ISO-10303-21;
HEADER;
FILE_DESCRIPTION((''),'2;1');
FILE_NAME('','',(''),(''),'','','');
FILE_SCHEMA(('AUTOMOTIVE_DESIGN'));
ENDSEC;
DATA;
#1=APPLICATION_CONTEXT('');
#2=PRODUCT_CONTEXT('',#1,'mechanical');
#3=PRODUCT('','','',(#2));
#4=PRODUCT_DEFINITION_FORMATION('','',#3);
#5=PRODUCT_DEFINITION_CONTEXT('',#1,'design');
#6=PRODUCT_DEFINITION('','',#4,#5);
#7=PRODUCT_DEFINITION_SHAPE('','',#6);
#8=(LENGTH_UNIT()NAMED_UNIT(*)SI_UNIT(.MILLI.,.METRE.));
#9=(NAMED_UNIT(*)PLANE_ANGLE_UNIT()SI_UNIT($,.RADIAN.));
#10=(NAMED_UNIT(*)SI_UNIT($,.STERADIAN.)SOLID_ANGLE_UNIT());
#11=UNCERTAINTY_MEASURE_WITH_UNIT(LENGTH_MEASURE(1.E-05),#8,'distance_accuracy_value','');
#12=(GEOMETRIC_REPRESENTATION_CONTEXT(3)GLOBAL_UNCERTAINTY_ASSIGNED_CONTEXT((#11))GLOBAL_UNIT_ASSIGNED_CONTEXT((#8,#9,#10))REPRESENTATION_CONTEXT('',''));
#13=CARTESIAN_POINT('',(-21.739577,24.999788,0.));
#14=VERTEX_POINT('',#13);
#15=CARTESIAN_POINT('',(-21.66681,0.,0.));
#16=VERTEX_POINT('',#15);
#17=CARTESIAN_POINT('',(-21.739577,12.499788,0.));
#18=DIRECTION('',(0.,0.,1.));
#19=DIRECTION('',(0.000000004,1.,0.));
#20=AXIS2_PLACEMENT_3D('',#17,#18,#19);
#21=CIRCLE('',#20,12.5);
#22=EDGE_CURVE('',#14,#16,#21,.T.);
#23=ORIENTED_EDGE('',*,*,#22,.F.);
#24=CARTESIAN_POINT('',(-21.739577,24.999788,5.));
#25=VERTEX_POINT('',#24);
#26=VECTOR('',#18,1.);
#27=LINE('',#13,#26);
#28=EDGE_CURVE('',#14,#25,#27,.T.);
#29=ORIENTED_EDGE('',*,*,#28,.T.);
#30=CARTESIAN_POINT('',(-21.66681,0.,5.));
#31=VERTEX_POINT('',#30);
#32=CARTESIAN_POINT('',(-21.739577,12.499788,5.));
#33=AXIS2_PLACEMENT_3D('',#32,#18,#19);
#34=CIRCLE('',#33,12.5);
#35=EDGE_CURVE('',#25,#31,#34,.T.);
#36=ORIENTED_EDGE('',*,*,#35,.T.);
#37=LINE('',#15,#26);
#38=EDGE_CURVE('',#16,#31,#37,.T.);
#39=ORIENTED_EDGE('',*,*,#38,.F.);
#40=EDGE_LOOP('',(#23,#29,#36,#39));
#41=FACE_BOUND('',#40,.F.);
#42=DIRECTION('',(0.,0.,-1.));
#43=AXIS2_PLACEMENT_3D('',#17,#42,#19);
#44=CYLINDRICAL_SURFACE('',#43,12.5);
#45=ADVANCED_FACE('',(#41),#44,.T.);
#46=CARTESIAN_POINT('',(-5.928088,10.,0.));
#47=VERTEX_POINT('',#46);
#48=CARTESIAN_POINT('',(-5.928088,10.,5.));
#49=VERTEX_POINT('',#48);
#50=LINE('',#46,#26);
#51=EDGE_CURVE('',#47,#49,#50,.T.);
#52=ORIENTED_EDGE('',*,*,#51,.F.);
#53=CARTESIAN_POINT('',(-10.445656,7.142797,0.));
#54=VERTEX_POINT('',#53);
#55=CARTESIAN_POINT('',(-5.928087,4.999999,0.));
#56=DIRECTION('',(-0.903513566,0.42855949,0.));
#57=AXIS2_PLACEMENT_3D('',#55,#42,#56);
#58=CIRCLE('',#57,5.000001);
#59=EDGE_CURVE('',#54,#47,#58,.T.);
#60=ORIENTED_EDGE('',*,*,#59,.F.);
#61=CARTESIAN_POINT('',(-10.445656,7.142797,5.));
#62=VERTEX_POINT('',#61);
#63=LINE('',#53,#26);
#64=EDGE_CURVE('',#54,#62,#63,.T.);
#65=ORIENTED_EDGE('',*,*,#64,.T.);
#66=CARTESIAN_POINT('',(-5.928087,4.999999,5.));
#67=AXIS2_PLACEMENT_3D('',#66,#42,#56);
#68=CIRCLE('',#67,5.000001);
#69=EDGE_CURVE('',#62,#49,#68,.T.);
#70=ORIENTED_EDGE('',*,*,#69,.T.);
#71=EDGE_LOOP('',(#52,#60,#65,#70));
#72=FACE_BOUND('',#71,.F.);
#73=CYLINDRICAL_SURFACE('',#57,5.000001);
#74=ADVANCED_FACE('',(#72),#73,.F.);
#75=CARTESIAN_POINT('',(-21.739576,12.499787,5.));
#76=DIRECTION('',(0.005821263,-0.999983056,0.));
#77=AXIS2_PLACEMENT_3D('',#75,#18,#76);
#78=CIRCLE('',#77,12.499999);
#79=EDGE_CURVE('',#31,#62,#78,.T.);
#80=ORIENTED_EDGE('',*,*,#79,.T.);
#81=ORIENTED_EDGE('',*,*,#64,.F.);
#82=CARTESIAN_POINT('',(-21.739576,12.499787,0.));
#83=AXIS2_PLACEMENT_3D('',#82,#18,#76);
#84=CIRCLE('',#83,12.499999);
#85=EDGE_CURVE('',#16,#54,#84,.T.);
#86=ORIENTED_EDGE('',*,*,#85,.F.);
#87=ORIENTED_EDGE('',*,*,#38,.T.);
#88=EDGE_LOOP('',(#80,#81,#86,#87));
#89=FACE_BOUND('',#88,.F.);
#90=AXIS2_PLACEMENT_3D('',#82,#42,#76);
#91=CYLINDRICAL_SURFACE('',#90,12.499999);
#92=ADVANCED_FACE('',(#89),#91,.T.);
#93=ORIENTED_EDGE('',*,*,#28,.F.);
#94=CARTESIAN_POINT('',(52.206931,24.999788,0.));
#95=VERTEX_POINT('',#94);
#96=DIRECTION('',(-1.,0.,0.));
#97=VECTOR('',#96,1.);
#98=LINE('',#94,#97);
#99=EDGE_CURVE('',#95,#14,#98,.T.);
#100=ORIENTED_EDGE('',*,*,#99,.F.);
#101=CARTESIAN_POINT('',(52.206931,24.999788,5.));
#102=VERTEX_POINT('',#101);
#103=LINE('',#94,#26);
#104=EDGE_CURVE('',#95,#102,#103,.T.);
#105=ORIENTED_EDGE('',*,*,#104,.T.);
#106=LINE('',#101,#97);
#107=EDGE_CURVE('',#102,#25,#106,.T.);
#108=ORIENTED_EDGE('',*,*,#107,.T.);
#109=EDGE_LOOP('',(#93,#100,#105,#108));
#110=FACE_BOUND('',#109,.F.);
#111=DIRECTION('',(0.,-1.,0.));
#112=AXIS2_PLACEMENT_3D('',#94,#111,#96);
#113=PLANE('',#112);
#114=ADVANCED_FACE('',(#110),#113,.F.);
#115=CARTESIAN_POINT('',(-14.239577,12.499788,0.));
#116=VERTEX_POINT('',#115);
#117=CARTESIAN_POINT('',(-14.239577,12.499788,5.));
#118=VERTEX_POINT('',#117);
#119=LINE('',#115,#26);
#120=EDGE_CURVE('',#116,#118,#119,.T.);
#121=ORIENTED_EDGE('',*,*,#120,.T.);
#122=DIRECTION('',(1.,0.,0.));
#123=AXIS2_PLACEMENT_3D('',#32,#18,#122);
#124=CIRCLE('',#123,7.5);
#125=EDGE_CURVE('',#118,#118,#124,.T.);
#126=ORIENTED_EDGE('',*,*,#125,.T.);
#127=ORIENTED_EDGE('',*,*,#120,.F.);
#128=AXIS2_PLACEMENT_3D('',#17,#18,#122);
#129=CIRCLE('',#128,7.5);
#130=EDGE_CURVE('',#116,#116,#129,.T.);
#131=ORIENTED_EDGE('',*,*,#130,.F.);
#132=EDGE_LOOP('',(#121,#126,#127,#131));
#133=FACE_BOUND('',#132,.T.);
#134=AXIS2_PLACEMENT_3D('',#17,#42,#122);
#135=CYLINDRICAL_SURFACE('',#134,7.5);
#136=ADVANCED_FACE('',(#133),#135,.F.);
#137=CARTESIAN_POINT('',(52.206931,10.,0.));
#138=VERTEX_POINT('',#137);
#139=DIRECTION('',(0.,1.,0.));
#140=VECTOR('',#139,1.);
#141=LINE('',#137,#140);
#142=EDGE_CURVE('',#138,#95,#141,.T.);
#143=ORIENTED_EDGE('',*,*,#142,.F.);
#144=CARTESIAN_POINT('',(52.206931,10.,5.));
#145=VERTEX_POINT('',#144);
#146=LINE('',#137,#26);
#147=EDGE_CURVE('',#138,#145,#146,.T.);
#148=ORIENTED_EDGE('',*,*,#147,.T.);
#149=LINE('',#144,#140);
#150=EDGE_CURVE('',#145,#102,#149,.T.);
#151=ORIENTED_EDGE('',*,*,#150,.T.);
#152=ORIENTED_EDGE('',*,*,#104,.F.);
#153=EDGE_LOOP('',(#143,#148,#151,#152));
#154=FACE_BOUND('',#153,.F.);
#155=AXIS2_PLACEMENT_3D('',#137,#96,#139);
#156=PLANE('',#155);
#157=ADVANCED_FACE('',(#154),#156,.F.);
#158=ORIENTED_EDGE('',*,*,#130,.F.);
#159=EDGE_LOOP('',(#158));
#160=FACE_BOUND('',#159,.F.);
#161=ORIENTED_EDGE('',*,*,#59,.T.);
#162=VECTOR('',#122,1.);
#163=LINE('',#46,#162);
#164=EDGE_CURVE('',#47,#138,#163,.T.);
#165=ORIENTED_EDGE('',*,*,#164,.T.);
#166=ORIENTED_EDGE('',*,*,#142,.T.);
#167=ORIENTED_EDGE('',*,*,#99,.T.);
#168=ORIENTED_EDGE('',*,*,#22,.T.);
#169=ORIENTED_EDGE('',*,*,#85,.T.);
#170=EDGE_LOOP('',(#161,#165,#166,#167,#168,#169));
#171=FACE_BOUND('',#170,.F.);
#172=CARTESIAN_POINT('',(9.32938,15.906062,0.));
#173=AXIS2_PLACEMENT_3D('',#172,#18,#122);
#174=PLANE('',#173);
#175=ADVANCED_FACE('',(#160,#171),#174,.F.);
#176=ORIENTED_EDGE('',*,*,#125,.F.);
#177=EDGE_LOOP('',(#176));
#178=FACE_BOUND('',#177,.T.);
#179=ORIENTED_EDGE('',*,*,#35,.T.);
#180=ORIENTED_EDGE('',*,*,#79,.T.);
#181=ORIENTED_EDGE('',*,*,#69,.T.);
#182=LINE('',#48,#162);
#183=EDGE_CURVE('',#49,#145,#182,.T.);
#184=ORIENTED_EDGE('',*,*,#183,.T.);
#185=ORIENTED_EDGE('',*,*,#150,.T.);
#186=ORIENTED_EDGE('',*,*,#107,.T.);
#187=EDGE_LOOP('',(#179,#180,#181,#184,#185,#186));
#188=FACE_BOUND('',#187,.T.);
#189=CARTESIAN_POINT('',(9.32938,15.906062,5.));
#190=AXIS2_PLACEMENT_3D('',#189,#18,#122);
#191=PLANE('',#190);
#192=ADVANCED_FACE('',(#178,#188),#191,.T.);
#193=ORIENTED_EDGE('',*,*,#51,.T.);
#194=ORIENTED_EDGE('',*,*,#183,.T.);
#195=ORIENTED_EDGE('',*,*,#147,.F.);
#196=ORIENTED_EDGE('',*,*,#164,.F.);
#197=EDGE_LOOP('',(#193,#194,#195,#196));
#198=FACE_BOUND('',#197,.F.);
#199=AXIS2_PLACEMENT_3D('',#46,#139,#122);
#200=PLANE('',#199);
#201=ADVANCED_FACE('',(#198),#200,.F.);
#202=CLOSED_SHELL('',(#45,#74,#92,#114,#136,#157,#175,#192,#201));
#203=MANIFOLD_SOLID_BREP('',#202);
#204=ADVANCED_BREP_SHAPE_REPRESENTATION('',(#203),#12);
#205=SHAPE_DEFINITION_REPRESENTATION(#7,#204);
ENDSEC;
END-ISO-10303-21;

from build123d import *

# Parameters (mm, degrees)
F0_R     = 7.5
F1_DEPTH = 5


with BuildPart() as f1:
    # F0 (on Top) → F1 (new body)
    with BuildSketch(Plane.XY):
        with BuildLine():
            Line((52.206931, 24.999788), (-21.739577, 24.999788))
            ThreePointArc((-21.739577, 24.999788), (-34.239524, 12.463405), (-21.66681, 0))
            ThreePointArc((-21.66681, 0), (-15.027254, 1.954897), (-10.445656, 7.142797))
            ThreePointArc((-10.445656, 7.142797), (-8.600729, 9.225753), (-5.928088, 10))
            Line((-5.928088, 10), (52.206931, 10))
            Line((52.206931, 10), (52.206931, 24.999788))
        make_face()
        with Locations((-21.739577, 12.499788)):
            Circle(F0_R, mode=Mode.SUBTRACT)
    extrude(amount=F1_DEPTH)


solid = f1.part
